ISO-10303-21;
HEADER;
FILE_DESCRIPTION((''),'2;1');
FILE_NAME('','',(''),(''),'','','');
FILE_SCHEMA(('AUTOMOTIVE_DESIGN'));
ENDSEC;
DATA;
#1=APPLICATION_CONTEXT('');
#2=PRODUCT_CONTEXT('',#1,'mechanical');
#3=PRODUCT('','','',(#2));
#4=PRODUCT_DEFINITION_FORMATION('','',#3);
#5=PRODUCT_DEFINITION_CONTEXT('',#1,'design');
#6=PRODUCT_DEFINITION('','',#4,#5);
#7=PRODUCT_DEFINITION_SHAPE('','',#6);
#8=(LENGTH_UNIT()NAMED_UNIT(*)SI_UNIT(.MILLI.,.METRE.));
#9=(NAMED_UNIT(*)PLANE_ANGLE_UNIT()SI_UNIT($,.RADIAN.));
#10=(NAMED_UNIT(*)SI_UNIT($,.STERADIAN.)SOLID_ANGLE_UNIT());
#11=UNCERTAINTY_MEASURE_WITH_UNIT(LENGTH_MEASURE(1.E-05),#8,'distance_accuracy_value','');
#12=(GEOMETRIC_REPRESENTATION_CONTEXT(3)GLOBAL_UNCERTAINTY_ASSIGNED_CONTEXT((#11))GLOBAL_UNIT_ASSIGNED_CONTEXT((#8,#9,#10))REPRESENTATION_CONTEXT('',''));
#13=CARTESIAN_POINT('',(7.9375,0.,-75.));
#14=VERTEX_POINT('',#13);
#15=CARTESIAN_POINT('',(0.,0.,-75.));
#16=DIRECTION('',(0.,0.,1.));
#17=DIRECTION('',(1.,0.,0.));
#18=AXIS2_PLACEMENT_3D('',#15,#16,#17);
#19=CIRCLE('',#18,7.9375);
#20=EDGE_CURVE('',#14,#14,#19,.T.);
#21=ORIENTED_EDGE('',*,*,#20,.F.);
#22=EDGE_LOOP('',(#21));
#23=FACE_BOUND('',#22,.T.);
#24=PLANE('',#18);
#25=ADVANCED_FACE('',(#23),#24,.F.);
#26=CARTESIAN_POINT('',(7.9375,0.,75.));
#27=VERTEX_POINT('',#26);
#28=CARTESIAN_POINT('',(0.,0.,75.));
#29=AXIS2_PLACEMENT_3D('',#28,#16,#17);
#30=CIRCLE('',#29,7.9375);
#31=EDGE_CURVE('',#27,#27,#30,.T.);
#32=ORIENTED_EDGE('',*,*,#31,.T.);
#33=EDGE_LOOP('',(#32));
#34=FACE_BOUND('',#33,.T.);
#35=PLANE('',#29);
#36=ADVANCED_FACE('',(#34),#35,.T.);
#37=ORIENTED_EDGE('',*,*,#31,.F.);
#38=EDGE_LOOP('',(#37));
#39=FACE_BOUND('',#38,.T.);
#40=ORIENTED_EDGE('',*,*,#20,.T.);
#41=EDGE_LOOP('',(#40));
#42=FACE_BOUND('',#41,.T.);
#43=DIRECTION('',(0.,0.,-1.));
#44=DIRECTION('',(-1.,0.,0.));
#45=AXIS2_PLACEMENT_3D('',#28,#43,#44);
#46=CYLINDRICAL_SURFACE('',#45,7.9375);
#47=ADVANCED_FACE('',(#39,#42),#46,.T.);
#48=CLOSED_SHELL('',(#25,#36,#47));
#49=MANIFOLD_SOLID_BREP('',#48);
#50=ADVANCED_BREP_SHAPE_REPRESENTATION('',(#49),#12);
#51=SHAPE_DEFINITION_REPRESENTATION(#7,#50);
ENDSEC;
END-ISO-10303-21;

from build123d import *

# Parameters (mm, degrees)
CROQUIS1_R              = 7.9375
SALIENTE_EXTRUIR1_DEPTH = 75


with BuildPart() as part:
    # Croquis1 → Saliente-Extruir1 (new, symmetric)
    with BuildSketch(Plane.XY):
        Circle(CROQUIS1_R)
    extrude(amount=SALIENTE_EXTRUIR1_DEPTH, both=True)


solid = part.part
